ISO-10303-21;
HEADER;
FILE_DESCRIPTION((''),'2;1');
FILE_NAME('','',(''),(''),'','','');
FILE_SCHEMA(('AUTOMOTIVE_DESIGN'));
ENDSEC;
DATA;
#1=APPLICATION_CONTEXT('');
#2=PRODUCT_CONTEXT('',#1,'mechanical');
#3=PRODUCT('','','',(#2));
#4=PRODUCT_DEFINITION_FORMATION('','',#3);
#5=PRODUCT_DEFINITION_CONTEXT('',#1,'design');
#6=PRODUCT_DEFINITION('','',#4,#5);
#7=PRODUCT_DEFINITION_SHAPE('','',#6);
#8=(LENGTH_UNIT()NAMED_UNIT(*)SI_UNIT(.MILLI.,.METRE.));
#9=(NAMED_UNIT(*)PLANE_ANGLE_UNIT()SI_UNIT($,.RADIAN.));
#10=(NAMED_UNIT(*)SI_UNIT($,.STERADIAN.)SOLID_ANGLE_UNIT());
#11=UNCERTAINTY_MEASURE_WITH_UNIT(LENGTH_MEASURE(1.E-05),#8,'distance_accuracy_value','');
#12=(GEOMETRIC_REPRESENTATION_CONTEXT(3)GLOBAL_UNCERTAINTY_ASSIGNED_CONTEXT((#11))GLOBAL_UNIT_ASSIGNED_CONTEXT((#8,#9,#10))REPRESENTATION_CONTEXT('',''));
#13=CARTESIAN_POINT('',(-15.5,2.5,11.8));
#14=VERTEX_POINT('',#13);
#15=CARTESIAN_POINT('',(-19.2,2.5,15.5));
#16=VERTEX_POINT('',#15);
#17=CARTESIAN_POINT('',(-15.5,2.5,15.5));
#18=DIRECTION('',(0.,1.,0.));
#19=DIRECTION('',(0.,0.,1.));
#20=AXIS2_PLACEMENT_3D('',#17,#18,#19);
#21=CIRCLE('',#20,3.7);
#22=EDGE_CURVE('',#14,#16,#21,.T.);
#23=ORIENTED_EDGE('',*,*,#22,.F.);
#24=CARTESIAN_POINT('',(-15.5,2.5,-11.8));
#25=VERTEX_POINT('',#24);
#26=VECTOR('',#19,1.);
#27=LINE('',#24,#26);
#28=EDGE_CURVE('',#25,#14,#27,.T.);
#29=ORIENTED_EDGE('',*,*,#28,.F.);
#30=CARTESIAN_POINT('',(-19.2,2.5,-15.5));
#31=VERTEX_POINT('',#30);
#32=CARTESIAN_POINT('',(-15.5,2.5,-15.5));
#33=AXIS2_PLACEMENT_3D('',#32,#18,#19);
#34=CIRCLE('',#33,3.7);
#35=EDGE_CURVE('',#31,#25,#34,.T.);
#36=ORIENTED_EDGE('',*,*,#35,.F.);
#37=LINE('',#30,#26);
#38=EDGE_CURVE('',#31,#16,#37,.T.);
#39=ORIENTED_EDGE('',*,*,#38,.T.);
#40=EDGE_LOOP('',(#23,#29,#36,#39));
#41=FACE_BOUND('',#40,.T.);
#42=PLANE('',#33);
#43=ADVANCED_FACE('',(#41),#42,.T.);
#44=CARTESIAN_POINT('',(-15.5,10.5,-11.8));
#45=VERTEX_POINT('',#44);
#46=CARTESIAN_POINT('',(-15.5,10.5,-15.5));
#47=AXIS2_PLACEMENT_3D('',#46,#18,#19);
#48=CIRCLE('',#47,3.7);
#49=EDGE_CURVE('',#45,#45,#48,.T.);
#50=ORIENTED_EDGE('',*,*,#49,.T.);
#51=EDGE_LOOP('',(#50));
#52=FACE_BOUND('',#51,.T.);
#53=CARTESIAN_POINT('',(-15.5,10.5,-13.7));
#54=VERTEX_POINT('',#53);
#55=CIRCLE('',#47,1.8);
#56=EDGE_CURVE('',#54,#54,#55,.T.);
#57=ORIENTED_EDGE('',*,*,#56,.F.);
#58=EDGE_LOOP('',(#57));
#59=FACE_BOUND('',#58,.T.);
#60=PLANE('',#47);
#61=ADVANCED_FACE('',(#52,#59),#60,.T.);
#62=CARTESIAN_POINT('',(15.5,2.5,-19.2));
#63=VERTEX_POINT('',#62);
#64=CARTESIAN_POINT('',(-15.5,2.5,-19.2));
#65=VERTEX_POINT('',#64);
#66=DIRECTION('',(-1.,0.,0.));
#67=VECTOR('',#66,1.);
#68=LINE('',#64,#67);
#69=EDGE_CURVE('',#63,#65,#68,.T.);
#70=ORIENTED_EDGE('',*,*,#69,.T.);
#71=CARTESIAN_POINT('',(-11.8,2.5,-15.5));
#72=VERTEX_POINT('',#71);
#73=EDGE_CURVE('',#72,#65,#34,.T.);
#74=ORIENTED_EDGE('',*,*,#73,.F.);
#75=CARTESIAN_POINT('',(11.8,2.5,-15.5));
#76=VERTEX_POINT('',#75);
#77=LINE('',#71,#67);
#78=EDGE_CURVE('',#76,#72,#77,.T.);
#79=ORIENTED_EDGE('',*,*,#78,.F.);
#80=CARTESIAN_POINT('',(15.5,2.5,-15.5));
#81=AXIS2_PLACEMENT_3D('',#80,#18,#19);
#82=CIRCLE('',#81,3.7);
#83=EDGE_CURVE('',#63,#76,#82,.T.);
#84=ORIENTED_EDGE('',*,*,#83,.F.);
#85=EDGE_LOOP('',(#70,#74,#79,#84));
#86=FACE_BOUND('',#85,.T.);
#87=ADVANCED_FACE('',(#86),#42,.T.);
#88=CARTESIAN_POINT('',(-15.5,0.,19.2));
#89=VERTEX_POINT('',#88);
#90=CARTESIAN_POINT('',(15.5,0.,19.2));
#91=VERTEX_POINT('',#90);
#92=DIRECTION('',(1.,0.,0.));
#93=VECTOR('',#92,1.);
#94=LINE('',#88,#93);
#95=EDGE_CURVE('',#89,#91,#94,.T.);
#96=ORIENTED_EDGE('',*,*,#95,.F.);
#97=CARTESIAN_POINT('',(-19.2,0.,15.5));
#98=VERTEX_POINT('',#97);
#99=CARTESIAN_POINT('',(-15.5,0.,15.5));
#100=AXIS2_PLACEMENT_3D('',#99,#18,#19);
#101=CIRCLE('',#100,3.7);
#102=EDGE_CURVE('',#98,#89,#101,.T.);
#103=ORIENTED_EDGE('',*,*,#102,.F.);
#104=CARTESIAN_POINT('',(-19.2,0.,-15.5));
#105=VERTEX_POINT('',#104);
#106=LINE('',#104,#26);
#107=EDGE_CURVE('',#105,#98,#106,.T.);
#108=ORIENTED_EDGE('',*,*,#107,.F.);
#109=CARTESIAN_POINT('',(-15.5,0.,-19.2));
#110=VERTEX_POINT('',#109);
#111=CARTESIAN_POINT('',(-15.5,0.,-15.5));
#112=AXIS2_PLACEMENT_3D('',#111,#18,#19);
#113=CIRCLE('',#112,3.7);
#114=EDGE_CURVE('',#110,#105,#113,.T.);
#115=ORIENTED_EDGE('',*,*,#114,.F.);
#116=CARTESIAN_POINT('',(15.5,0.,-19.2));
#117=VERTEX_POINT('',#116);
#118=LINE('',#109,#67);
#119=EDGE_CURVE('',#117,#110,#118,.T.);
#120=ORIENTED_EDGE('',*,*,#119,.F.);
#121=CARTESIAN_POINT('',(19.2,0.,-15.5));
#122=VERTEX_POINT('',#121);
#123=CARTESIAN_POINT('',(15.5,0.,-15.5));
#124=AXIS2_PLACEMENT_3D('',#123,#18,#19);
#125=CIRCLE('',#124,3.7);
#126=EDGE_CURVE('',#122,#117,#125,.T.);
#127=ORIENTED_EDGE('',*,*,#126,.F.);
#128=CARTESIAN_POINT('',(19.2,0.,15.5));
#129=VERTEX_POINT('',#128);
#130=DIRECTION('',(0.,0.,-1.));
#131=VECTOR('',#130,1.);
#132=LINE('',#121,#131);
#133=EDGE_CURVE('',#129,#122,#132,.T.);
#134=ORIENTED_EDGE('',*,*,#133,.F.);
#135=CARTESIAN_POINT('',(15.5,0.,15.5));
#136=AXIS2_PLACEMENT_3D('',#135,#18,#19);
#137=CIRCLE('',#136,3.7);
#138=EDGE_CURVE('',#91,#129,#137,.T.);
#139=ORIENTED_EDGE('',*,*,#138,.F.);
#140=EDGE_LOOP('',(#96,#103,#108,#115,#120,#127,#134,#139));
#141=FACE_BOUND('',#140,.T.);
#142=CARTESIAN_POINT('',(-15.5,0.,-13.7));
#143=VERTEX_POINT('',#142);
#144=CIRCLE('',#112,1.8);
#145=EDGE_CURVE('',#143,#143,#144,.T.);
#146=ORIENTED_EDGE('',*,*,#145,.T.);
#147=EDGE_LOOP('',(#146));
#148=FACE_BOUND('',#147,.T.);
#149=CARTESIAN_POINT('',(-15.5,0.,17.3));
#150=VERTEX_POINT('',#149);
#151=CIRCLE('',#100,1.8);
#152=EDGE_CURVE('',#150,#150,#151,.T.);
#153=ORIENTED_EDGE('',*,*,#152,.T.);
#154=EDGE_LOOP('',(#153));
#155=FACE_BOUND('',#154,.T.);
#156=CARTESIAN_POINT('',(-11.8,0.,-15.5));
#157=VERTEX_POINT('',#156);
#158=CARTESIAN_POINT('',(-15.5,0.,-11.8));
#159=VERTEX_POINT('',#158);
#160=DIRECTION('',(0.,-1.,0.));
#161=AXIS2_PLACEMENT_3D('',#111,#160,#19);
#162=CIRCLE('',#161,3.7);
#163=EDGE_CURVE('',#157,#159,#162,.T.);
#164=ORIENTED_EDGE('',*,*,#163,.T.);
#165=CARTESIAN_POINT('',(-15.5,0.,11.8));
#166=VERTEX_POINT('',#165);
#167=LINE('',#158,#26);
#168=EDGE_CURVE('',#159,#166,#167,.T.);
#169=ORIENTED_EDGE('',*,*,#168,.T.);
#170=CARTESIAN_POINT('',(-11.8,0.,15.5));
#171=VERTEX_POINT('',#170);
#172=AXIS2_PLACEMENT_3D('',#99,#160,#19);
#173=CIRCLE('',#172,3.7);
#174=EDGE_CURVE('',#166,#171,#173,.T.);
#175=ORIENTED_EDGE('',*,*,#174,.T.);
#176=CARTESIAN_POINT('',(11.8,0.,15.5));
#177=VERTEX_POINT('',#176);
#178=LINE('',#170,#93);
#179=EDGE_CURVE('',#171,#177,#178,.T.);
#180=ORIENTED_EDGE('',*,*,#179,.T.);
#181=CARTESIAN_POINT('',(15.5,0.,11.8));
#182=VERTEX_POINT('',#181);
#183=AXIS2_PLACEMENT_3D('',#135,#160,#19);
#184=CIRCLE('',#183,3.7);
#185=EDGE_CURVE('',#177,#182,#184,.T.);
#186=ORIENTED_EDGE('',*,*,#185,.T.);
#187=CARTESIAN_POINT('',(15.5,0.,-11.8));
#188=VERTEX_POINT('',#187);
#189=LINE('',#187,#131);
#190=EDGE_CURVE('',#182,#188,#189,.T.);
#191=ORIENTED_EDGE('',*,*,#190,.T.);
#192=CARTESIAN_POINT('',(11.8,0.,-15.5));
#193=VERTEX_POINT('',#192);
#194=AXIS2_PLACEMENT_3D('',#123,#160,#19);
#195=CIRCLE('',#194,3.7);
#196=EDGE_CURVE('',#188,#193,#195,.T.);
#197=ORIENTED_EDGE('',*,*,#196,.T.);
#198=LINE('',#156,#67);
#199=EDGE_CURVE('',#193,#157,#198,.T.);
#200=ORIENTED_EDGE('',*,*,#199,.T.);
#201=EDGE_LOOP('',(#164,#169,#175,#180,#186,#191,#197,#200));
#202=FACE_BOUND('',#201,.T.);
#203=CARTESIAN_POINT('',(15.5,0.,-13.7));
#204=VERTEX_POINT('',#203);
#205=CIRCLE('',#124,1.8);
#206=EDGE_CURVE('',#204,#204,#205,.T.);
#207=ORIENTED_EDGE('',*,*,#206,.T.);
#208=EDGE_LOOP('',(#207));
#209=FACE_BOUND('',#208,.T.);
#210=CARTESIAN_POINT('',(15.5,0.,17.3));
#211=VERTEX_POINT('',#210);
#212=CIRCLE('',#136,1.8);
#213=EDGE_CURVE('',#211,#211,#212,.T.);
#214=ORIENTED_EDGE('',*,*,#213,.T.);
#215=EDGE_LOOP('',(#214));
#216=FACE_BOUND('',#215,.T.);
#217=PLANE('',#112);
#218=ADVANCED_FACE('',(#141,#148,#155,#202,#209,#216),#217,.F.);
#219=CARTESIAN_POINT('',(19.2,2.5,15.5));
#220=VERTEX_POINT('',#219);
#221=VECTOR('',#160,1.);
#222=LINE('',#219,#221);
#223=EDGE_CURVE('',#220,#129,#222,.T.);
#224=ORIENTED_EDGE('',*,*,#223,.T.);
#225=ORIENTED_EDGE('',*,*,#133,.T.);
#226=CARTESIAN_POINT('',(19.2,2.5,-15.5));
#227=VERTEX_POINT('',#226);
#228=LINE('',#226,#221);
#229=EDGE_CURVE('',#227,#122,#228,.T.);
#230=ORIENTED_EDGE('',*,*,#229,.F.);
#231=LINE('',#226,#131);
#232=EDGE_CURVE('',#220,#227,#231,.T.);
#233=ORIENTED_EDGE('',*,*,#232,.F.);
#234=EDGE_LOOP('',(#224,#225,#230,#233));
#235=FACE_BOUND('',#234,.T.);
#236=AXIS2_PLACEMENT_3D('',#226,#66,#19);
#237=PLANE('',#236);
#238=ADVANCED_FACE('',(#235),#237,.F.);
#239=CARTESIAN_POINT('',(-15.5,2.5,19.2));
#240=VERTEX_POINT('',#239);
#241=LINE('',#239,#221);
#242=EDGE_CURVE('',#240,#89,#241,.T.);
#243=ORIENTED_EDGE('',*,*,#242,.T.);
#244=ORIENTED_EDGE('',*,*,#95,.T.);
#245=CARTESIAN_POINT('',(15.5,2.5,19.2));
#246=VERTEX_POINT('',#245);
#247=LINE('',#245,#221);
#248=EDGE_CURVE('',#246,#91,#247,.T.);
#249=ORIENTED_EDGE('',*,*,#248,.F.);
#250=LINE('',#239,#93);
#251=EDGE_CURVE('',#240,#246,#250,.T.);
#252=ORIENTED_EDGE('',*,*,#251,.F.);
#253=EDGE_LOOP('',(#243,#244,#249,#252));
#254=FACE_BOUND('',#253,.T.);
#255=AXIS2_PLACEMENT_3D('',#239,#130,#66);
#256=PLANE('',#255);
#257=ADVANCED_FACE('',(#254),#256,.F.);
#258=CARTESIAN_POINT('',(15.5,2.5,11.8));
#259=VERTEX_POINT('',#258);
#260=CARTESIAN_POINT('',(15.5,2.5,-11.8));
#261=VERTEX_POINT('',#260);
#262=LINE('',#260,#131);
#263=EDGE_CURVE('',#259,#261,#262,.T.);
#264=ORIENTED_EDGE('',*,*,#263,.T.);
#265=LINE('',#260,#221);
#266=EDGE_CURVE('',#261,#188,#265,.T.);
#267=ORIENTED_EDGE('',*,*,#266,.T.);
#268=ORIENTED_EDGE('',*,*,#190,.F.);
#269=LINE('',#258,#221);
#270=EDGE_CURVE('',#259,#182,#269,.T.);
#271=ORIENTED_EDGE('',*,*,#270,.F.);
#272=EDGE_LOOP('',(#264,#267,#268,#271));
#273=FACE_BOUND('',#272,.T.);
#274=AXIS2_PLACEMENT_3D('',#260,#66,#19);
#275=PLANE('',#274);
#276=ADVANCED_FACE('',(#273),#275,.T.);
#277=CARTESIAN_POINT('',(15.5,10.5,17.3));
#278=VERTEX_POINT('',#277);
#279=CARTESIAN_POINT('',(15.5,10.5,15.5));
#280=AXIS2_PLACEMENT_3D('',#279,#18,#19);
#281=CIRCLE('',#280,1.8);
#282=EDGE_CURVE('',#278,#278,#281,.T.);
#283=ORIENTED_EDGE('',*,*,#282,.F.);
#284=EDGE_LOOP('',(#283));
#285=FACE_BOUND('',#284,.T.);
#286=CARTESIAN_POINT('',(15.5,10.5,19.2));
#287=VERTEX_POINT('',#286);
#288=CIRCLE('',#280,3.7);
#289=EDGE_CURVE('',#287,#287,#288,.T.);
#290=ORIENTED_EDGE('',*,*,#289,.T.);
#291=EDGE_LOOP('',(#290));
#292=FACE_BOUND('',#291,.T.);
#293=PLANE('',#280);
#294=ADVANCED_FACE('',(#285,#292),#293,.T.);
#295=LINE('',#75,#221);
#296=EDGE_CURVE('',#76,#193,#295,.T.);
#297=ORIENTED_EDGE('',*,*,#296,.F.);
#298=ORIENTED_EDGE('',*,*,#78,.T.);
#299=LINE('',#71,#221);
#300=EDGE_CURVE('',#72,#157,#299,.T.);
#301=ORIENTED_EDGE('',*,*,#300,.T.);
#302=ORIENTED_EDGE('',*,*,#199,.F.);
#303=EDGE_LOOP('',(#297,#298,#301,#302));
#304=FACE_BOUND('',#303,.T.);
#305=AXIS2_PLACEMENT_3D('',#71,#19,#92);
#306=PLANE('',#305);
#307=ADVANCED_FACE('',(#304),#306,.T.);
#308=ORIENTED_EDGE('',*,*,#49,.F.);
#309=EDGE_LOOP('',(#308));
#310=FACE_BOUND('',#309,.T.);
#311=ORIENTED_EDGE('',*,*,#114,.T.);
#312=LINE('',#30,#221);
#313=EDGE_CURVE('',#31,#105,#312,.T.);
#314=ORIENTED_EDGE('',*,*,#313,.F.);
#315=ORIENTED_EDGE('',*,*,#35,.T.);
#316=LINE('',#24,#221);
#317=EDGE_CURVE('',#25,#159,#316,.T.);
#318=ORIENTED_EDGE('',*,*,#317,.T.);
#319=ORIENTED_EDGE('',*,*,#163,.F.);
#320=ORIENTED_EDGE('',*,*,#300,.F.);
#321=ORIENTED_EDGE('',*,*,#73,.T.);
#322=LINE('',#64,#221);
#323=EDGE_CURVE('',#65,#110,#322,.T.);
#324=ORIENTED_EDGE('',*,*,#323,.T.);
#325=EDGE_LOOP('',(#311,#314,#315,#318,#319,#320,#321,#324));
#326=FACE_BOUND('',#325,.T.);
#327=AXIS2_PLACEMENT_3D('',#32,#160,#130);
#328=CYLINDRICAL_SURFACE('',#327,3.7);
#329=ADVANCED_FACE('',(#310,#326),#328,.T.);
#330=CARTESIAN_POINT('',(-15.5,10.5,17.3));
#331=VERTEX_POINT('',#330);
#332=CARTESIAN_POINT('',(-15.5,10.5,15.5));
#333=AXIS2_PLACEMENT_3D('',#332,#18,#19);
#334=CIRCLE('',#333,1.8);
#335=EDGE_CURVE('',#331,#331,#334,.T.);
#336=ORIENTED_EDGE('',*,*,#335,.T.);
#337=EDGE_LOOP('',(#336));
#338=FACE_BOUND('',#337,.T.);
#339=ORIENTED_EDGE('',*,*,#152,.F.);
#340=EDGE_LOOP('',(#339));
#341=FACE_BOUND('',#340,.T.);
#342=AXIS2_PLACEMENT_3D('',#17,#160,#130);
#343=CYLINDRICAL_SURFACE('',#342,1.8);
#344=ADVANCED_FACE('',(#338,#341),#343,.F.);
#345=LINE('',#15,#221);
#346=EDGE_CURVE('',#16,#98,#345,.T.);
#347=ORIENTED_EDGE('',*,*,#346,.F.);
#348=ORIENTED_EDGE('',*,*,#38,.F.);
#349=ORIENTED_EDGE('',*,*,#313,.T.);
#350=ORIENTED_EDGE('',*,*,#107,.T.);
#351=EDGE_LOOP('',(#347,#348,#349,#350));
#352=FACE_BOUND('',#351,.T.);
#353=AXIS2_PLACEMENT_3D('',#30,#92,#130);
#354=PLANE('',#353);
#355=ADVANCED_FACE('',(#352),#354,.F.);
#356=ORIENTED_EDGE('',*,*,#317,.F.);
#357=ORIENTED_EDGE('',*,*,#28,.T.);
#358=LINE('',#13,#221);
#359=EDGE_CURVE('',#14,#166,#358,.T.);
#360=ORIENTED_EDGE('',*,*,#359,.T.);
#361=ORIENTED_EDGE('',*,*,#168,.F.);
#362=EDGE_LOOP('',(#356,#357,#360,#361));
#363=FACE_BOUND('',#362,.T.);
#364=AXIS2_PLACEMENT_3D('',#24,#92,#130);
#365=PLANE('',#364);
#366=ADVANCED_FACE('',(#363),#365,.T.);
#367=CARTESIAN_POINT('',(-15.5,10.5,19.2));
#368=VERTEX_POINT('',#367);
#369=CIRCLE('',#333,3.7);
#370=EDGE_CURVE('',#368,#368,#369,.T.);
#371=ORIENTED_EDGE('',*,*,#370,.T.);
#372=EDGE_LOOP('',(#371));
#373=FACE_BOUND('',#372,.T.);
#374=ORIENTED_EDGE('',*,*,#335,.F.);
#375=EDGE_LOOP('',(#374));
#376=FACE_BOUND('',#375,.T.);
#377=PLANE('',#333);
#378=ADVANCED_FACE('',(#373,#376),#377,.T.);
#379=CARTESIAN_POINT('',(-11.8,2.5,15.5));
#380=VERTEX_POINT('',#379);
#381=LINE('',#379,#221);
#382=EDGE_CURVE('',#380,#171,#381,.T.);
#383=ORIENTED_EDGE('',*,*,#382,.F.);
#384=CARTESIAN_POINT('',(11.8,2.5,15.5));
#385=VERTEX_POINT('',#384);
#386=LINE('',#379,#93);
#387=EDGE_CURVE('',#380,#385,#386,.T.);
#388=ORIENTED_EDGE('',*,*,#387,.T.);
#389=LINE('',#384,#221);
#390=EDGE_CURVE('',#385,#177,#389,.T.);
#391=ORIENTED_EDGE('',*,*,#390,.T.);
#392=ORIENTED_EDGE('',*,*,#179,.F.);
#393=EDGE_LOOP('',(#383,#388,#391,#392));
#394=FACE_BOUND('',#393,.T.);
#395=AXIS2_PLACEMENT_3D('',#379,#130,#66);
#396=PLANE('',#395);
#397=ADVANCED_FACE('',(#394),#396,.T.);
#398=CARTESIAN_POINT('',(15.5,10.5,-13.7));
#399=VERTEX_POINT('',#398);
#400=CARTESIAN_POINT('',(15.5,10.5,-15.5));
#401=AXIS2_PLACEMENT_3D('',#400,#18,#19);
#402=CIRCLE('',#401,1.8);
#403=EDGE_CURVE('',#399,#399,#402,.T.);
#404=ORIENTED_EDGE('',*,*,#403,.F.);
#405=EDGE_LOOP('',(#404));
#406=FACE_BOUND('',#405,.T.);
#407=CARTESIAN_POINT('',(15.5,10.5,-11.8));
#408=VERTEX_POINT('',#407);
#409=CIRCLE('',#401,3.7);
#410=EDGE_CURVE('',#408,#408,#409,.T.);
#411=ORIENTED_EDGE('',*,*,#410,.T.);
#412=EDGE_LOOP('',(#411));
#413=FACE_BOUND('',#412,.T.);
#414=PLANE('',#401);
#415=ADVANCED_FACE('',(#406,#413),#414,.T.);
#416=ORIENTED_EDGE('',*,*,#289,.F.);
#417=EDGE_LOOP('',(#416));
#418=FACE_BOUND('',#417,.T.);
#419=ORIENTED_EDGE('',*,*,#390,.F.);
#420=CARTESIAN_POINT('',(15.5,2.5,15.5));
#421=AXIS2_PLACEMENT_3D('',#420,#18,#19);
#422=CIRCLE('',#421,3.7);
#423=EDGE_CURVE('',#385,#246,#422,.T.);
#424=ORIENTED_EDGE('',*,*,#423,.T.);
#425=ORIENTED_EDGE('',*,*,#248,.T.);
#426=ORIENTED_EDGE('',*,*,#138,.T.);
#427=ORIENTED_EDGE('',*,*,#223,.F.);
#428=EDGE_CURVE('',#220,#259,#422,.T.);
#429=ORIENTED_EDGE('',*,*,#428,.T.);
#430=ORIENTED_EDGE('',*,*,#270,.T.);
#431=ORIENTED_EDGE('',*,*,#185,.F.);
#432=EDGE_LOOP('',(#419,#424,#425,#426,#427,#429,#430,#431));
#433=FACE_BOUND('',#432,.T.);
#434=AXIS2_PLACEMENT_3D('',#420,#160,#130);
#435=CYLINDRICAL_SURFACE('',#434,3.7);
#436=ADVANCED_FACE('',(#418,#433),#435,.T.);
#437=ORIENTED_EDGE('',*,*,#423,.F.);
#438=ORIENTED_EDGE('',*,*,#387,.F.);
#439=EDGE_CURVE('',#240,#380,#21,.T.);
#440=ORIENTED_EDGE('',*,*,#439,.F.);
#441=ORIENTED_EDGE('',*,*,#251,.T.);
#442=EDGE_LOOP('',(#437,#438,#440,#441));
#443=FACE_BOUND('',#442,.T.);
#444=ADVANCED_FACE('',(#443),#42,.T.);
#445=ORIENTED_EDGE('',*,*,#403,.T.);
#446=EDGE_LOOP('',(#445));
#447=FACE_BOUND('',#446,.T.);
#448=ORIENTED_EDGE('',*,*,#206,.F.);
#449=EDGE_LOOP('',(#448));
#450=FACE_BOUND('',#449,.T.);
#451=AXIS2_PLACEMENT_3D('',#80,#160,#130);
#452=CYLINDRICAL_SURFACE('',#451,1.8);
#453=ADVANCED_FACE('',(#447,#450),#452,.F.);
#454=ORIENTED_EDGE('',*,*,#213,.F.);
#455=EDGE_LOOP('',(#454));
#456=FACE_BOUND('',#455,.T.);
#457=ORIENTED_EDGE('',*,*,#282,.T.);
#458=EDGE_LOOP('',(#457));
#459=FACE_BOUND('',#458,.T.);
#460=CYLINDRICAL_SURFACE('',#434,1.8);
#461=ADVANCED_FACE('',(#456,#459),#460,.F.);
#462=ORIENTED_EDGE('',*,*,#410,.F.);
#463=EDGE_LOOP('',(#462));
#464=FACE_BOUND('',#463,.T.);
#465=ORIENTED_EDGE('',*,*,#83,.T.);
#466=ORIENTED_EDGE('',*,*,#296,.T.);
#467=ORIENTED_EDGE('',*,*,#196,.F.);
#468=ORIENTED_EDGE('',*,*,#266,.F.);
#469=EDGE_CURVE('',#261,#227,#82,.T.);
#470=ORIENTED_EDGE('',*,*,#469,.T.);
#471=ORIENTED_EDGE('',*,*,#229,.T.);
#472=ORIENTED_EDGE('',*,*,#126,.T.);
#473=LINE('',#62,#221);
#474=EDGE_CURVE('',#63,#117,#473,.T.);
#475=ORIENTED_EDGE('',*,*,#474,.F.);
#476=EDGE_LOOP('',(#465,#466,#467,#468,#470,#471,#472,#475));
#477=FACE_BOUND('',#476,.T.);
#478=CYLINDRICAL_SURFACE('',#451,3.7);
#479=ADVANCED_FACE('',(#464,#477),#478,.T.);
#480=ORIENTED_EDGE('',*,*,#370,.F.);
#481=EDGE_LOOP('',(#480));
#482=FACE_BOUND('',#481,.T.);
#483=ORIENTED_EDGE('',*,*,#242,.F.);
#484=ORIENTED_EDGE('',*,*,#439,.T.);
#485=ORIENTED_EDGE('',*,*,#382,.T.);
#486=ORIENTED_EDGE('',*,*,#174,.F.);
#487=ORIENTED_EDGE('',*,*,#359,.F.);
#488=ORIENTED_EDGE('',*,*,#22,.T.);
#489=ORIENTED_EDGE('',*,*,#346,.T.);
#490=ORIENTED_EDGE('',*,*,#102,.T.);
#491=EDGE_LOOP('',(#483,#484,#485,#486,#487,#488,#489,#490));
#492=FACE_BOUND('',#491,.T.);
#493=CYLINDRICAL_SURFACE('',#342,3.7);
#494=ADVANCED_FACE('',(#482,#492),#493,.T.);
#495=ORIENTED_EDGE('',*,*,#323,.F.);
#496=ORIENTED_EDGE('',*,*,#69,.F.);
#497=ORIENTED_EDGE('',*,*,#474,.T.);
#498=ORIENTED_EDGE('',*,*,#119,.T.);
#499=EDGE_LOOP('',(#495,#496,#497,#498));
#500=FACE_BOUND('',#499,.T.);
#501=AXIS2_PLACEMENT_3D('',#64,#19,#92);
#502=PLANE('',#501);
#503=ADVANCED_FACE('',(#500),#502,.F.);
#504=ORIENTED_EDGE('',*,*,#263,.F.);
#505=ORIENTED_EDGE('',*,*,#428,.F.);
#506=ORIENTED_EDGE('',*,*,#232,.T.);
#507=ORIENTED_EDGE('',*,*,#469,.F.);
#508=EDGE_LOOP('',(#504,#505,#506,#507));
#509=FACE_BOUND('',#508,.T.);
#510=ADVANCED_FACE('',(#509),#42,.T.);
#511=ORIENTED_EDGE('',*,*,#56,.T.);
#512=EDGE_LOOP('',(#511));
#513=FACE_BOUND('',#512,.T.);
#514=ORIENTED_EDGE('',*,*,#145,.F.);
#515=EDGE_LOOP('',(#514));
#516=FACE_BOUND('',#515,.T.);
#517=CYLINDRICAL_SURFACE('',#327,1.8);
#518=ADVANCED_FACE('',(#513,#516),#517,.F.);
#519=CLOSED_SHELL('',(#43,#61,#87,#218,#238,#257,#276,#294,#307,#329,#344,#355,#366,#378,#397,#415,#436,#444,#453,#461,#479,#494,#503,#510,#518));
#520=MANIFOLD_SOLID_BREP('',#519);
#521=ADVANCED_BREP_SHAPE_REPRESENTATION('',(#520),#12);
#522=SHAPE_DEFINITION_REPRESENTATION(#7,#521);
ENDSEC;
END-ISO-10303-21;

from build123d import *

# Parameters (mm, degrees)
SKETCH_1_R      = 1.8
EXTRUDE_1_DEPTH = 2.5
SKETCH_2_R      = 3.7
SKETCH_2_R_2    = 1.8
EXTRUDE_2_DEPTH = 8


with BuildPart() as part:
    # 草图1 → 凸台-拉伸1 (new body)
    with BuildSketch(Plane(origin=(0, 0, 0), x_dir=(1, 0, 0), z_dir=(0, 1, 0))):
        with BuildLine():
            Line((-19.2, 15.5), (-19.2, -15.5))
            ThreePointArc((-19.2, -15.5), (-18.11629509, -18.11629509), (-15.5, -19.2))
            Line((-15.5, -19.2), (15.5, -19.2))
            ThreePointArc((15.5, -19.2), (18.11629509, -18.11629509), (19.2, -15.5))
            Line((19.2, -15.5), (19.2, 15.5))
            ThreePointArc((19.2, 15.5), (18.11629509, 18.11629509), (15.5, 19.2))
            Line((15.5, 19.2), (-15.5, 19.2))
            ThreePointArc((-15.5, 19.2), (-18.11629509, 18.11629509), (-19.2, 15.5))
        make_face()
        with Locations((-15.5, 15.5)):
            Circle(SKETCH_1_R, mode=Mode.SUBTRACT)
        with Locations((15.5, 15.5)):
            Circle(SKETCH_1_R, mode=Mode.SUBTRACT)
        with Locations((-15.5, -15.5)):
            Circle(SKETCH_1_R, mode=Mode.SUBTRACT)
        with Locations((15.5, -15.5)):
            Circle(SKETCH_1_R, mode=Mode.SUBTRACT)
        with BuildLine():
            Line((-11.8, 15.5), (11.8, 15.5))
            ThreePointArc((11.8, 15.5), (12.88370491, 12.88370491), (15.5, 11.8))
            Line((15.5, 11.8), (15.5, -11.8))
            ThreePointArc((15.5, -11.8), (12.88370491, -12.88370491), (11.8, -15.5))
            Line((11.8, -15.5), (-11.8, -15.5))
            ThreePointArc((-11.8, -15.5), (-12.88370491, -12.88370491), (-15.5, -11.8))
            Line((-15.5, -11.8), (-15.5, 11.8))
            ThreePointArc((-15.5, 11.8), (-12.88370491, 12.88370491), (-11.8, 15.5))
        make_face(mode=Mode.SUBTRACT)
    extrude(amount=EXTRUDE_1_DEPTH)

    # 草图2 → 凸台-拉伸2 (add)
    with BuildSketch(Plane(origin=(0, 2.5, 0), x_dir=(1, 0, 0), z_dir=(0, 1, 0))):
        with Locations((-15.5, 15.5)):
            Circle(SKETCH_2_R)
        with Locations((-15.5, 15.5)):
            Circle(SKETCH_2_R_2, mode=Mode.SUBTRACT)
        with Locations((15.5, 15.5)):
            Circle(SKETCH_2_R)
        with Locations((15.5, 15.5)):
            Circle(SKETCH_2_R_2, mode=Mode.SUBTRACT)
        with Locations((15.5, -15.5)):
            Circle(SKETCH_2_R)
        with Locations((15.5, -15.5)):
            Circle(SKETCH_2_R_2, mode=Mode.SUBTRACT)
        with Locations((-15.5, -15.5)):
            Circle(SKETCH_2_R)
        with Locations((-15.5, -15.5)):
            Circle(SKETCH_2_R_2, mode=Mode.SUBTRACT)
    extrude(amount=EXTRUDE_2_DEPTH)


solid = part.part
